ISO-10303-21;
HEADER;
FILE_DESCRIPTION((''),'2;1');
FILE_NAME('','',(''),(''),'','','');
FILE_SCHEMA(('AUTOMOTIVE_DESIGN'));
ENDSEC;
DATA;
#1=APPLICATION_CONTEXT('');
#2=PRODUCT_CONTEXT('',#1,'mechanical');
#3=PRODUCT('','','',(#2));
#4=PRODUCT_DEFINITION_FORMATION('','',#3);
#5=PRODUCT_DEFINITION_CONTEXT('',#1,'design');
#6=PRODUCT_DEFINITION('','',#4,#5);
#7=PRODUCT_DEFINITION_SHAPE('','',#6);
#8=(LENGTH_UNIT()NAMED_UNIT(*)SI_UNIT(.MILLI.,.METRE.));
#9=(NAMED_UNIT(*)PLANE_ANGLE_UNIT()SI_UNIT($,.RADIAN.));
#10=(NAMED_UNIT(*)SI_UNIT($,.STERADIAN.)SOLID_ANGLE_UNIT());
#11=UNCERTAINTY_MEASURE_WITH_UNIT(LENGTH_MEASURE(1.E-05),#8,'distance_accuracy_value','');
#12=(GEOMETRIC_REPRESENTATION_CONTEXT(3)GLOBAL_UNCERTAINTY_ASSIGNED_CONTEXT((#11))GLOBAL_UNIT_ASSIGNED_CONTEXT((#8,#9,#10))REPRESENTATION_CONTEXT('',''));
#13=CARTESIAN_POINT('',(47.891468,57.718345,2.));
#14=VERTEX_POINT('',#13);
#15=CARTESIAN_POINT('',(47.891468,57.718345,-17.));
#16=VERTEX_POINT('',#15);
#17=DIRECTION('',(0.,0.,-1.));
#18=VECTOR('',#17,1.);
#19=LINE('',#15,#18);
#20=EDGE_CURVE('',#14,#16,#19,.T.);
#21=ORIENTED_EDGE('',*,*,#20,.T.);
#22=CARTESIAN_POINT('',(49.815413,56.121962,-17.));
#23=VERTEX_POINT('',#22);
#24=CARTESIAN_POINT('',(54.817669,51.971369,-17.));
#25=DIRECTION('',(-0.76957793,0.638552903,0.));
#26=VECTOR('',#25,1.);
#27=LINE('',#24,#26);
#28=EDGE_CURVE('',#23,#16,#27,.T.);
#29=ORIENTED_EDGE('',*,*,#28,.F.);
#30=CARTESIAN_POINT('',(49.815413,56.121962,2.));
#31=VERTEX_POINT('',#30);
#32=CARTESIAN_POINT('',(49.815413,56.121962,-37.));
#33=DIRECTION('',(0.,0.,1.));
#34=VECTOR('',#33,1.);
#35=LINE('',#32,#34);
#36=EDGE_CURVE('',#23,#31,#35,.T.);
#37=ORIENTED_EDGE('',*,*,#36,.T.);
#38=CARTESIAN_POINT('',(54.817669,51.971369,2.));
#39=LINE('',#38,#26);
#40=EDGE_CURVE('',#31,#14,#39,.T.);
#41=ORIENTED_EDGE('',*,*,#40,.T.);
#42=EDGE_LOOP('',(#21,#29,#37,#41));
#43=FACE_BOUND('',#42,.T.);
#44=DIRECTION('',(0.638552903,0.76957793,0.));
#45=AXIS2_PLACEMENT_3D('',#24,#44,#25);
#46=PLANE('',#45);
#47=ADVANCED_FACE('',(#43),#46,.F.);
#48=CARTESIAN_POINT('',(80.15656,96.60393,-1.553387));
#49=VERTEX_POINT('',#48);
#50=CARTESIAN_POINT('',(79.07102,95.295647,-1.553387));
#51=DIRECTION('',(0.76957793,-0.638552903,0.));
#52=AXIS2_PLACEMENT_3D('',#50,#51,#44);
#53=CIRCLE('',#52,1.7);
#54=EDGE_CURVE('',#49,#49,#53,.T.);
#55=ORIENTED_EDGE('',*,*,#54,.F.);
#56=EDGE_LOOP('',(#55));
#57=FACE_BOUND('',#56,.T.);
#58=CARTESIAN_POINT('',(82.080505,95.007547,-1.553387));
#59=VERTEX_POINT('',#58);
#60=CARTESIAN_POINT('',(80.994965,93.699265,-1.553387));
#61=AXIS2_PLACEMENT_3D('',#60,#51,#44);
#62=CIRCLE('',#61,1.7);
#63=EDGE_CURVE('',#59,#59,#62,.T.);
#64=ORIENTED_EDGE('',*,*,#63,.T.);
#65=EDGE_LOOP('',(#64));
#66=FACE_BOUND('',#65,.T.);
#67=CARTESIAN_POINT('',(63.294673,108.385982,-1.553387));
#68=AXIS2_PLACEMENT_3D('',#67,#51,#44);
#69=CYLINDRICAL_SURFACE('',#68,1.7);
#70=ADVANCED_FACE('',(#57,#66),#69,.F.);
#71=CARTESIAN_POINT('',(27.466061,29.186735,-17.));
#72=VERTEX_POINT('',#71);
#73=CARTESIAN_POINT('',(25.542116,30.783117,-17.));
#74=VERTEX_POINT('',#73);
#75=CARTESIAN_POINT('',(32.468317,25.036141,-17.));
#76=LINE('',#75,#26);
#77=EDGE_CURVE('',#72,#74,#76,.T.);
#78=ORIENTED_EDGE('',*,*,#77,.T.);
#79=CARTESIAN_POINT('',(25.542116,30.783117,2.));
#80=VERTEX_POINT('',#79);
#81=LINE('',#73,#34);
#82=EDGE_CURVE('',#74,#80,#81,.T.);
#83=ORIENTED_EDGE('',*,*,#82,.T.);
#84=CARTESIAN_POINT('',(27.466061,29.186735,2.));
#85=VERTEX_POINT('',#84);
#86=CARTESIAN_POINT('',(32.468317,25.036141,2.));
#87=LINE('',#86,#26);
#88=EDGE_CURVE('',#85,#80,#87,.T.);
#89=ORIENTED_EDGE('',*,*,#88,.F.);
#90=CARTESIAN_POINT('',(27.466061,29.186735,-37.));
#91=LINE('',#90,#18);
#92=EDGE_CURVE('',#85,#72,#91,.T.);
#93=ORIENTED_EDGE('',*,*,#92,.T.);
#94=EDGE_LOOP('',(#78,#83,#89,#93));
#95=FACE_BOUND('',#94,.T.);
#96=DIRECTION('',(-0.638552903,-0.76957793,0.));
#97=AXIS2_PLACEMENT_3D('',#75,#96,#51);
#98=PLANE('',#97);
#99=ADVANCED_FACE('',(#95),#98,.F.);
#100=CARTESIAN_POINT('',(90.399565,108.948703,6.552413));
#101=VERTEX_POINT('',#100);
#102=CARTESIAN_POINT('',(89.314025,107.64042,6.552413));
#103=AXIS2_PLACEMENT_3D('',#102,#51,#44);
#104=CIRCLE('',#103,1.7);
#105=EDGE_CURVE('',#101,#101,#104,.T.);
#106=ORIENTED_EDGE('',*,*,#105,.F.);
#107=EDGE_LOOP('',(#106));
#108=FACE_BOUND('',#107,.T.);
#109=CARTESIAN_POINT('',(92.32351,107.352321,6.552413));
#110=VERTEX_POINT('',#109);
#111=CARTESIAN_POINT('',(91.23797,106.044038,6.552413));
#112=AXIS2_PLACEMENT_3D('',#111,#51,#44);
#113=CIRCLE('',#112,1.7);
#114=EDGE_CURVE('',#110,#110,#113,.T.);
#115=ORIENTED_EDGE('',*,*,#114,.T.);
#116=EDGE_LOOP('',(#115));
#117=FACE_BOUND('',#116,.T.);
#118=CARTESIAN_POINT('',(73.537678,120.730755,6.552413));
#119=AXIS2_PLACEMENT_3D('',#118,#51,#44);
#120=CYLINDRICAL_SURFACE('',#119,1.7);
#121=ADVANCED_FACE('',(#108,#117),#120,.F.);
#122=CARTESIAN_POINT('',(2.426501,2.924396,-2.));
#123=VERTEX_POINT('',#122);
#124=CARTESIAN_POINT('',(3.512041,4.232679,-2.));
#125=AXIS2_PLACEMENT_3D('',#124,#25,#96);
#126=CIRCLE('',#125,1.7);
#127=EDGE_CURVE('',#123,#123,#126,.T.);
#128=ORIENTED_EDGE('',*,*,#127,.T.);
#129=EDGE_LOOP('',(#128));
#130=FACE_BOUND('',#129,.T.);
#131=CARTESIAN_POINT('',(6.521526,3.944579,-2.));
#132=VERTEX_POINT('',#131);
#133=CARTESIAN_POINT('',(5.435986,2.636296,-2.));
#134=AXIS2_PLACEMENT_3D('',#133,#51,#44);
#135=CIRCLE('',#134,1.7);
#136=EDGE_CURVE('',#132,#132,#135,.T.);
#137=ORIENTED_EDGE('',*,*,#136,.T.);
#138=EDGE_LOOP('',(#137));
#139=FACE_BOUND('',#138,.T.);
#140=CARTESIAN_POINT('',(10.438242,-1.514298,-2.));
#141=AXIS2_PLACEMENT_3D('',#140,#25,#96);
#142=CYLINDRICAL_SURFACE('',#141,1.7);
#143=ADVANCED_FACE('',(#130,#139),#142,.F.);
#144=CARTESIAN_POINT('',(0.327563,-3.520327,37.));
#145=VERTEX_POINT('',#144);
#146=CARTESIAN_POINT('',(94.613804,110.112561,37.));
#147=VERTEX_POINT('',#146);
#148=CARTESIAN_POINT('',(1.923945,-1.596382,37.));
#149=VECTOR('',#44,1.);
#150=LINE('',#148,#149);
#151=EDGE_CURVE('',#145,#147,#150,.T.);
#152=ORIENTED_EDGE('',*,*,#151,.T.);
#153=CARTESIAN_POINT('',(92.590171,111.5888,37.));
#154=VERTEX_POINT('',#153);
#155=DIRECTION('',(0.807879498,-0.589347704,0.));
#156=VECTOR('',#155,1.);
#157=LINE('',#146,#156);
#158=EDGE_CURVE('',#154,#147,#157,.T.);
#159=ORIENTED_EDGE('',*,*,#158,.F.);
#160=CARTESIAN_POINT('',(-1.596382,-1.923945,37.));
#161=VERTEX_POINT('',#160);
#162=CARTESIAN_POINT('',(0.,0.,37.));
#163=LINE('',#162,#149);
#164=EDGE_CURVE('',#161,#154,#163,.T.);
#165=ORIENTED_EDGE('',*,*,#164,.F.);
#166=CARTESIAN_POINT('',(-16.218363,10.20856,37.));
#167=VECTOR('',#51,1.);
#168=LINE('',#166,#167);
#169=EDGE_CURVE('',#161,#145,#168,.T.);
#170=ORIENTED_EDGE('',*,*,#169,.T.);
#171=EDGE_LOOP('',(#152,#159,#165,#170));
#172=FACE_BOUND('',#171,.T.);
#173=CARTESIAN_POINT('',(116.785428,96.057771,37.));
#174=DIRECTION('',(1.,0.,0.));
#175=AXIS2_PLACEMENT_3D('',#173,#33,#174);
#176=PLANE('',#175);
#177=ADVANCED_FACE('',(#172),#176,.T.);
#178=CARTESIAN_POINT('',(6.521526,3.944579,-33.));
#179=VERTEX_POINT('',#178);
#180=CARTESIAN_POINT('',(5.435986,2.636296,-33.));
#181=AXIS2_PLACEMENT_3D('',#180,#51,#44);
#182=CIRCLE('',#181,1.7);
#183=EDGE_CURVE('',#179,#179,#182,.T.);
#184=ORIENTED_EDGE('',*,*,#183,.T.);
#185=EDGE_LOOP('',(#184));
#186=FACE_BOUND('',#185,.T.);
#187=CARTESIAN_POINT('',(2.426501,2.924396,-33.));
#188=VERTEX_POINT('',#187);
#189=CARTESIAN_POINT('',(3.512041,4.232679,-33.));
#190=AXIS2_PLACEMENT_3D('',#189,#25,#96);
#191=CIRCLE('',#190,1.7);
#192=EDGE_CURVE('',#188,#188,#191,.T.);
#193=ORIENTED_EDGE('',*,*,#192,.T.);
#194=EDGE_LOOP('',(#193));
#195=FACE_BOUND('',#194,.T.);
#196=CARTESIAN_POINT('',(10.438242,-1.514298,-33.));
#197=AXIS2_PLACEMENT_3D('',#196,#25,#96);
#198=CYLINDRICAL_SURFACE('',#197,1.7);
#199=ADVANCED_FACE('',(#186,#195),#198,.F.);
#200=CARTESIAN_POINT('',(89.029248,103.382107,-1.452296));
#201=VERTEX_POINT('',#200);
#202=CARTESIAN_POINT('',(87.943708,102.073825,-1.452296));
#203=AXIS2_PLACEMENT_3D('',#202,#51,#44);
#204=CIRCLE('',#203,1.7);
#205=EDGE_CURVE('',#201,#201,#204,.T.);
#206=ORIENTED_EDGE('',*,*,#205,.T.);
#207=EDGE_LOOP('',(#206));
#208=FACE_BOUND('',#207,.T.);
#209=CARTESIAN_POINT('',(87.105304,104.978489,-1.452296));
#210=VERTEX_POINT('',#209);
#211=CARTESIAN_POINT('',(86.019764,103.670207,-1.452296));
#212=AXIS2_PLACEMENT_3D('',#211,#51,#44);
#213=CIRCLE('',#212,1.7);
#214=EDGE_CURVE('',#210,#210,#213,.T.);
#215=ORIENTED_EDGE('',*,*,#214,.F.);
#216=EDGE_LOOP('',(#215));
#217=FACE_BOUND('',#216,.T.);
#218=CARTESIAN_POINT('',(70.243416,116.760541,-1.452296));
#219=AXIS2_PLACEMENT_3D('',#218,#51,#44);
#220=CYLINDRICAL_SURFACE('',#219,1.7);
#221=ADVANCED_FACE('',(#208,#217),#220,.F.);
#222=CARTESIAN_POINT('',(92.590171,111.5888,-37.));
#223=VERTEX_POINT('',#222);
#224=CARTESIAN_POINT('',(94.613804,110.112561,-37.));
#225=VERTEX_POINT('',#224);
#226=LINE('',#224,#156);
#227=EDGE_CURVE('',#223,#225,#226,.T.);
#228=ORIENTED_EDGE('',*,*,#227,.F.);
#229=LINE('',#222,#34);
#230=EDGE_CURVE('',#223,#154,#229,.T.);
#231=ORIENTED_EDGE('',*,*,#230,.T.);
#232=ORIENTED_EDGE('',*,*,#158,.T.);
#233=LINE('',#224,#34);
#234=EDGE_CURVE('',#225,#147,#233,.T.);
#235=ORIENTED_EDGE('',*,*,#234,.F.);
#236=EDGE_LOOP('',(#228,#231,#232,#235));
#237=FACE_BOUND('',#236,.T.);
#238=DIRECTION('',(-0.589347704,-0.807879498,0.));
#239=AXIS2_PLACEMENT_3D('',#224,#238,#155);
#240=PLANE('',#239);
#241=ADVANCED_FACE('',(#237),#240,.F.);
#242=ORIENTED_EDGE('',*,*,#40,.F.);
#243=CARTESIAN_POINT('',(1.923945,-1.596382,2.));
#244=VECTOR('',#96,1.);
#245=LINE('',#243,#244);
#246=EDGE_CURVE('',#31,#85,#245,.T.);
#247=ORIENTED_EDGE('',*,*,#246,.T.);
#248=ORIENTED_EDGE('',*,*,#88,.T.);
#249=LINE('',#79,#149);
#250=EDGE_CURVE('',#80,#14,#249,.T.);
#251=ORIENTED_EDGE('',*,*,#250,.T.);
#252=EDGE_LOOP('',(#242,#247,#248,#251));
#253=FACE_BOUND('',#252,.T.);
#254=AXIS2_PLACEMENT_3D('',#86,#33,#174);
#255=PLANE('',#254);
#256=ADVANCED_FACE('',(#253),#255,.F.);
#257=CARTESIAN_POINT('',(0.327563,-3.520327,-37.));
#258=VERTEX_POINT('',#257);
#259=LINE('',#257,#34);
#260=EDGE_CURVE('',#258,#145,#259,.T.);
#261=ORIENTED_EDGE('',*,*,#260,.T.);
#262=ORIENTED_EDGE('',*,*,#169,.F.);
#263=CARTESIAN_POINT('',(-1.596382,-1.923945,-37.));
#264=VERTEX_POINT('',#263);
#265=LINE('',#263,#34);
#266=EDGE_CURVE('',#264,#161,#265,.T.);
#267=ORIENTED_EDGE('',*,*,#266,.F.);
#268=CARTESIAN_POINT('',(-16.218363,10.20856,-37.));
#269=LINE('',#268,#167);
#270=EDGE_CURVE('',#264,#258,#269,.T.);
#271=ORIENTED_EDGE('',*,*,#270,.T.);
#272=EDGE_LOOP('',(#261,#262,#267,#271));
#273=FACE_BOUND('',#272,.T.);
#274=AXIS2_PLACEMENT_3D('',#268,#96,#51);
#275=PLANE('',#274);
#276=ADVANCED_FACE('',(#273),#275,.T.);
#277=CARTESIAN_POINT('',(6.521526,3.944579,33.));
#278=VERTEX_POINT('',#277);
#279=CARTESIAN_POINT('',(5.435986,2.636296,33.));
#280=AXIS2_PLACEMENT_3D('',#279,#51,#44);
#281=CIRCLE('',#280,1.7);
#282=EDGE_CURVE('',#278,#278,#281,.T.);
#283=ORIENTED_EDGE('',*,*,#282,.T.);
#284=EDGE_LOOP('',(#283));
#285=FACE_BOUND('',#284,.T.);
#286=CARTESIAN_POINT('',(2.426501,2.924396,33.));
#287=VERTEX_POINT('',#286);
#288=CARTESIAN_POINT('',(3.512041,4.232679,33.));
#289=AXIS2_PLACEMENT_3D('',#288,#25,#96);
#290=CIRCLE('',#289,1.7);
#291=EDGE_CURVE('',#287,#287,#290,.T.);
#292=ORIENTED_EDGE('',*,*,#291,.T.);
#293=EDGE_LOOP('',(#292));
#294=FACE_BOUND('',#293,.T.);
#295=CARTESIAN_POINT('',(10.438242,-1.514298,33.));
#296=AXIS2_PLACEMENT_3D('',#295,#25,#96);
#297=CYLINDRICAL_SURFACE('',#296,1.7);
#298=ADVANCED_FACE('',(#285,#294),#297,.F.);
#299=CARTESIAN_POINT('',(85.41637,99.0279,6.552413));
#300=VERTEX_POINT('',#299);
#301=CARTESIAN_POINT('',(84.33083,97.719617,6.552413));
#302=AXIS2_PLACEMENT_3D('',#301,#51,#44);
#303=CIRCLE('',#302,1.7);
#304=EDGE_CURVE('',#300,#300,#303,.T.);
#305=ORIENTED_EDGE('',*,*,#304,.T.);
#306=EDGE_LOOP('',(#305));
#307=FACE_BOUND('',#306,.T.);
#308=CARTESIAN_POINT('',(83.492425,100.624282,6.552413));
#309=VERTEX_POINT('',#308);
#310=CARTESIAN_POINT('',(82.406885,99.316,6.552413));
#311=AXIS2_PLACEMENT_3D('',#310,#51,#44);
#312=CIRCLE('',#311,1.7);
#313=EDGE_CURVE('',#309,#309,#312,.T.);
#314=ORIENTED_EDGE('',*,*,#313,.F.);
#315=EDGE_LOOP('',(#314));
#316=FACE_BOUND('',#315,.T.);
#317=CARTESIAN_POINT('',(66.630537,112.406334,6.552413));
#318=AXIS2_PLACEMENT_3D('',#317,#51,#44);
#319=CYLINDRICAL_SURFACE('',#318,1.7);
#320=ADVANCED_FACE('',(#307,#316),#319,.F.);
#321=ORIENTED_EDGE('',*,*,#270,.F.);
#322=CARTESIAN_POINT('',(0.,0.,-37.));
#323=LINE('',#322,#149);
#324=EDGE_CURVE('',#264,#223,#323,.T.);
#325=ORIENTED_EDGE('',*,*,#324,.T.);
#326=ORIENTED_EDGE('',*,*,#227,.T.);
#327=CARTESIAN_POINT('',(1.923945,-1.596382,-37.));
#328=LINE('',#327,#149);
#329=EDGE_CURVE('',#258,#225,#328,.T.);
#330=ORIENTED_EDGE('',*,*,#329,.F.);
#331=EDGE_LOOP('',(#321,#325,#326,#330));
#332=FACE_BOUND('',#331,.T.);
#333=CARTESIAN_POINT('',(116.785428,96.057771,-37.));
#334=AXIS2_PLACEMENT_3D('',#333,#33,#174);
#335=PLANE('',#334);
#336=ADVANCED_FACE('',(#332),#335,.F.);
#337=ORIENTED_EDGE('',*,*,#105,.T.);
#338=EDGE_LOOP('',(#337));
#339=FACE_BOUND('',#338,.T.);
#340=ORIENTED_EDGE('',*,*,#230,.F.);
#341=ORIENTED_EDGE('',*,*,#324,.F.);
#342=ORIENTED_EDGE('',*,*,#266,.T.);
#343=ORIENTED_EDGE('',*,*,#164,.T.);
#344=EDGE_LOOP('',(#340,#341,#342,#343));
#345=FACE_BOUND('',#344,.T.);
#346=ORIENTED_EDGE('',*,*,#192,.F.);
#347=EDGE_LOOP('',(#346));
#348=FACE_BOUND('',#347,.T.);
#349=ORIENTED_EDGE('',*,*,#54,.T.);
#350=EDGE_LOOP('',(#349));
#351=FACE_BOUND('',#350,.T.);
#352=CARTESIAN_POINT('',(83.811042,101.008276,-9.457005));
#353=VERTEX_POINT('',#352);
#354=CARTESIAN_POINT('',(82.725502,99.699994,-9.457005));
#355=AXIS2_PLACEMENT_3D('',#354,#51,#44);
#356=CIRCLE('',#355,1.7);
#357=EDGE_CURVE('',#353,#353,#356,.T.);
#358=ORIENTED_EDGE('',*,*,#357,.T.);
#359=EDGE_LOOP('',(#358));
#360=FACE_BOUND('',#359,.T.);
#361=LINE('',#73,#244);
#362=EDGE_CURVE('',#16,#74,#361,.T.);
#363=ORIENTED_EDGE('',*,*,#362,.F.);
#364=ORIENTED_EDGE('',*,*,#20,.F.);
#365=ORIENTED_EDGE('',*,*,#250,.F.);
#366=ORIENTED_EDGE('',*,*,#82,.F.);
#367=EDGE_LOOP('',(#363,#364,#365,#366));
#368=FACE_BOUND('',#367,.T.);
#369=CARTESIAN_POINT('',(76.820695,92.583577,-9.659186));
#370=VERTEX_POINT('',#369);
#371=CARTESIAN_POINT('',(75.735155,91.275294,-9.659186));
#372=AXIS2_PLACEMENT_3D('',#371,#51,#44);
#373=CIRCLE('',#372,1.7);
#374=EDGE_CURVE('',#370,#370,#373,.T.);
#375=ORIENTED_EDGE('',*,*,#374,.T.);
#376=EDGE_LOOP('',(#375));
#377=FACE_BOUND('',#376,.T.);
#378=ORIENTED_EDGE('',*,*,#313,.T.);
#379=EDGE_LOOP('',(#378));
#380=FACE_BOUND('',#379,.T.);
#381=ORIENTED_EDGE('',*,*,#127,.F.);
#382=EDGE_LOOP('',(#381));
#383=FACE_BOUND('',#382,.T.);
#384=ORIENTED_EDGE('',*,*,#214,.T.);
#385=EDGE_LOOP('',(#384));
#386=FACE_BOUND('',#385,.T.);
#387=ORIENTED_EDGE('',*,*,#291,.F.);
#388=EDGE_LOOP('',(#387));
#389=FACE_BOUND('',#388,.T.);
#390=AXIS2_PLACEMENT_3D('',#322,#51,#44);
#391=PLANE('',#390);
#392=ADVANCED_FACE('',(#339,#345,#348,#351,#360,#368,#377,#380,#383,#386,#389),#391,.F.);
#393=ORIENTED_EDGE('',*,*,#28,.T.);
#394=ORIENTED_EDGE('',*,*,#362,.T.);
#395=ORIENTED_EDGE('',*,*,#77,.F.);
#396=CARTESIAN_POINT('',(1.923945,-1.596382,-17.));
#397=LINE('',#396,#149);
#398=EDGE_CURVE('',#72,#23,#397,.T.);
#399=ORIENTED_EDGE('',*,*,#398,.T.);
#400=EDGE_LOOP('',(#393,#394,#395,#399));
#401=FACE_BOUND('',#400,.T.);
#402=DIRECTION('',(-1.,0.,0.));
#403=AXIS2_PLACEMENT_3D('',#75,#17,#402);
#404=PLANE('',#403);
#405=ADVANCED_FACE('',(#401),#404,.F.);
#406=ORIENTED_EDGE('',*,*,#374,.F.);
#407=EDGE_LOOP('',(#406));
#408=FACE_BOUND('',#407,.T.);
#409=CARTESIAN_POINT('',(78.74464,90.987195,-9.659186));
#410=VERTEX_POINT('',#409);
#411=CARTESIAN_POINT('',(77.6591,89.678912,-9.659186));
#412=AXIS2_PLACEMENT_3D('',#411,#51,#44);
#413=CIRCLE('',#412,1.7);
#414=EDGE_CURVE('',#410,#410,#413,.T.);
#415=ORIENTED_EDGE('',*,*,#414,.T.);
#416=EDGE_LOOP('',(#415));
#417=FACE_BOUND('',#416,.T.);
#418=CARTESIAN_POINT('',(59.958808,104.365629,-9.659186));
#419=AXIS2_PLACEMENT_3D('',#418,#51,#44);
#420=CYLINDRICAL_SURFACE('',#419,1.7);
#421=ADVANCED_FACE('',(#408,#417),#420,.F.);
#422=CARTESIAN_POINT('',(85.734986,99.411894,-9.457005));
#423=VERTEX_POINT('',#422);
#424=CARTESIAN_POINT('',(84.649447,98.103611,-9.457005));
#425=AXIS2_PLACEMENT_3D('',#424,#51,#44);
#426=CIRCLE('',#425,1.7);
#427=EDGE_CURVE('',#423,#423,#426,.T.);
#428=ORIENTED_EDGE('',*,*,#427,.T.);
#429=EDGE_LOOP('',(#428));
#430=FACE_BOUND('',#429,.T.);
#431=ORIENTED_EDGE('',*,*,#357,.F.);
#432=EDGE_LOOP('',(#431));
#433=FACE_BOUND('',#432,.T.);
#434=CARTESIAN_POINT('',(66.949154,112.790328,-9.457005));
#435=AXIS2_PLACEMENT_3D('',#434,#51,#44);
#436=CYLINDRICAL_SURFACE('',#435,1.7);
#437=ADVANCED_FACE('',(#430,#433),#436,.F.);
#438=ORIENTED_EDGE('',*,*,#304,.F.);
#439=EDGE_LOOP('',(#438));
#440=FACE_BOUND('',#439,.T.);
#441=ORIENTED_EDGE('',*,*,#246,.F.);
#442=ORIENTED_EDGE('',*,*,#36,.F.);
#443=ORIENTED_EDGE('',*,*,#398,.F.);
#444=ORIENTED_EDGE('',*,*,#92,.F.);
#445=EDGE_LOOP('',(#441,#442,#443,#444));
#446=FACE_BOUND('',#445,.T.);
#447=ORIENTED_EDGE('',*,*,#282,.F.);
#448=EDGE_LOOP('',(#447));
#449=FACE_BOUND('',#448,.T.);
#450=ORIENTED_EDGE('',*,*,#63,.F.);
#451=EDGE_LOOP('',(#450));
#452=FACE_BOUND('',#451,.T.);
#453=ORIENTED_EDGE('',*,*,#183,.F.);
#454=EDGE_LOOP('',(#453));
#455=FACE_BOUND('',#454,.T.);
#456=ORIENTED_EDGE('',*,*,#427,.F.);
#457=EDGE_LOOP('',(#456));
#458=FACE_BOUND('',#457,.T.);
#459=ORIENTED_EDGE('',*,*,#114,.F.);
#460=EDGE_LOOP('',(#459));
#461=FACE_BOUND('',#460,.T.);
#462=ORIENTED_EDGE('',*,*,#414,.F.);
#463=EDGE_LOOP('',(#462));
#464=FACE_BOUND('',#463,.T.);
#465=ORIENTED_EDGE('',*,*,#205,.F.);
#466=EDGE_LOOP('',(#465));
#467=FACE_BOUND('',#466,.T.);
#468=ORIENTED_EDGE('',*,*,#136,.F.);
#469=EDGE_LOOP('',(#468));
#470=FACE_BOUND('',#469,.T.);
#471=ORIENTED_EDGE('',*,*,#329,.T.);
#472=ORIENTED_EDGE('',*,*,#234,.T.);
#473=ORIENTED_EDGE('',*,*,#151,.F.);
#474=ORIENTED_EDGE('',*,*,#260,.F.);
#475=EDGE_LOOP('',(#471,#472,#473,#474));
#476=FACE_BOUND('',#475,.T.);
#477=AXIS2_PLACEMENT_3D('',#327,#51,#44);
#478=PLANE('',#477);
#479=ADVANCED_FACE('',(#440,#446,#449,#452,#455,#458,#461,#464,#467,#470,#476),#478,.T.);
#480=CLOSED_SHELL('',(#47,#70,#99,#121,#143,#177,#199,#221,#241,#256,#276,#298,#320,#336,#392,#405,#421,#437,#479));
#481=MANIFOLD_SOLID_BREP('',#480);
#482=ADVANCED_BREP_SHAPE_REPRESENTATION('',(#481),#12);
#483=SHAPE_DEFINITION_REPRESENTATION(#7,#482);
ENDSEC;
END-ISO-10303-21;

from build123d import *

# Parameters (mm, degrees)
ESTRUSIONE_SOTTILE1_DEPTH      = 37
ESTRUSIONE_SOTTILE1_DEPTH_BACK = 37
SCHIZZO2_R                     = 1.7
TAGLIO_ESTRUSIONE2_DEPTH       = 23
SCHIZZO4_W                     = 19
SCHIZZO4_H                     = 35
TAGLIO_ESTRUSIONE4_DEPTH       = 9
SCHIZZO5_R                     = 1.7
TAGLIO_ESTRUSIONE5_DEPTH       = 9
TAGLIO_ESTRUSIONE6_DEPTH       = 38
TAGLIO_ESTRUSIONE6_DEPTH_BACK  = 38


with BuildPart() as part:
    # Schizzo1 → Estrusione-Sottile1 (new body, two sides)
    with BuildSketch(Plane.XY) as estrusione_sottile1_sk:
        with BuildLine():
            Line((1.3418419, 31.371953403), (-14.62198067, 12.132505153))
            Line((-14.62198067, 12.132505153), (0, 0))
            Line((0, 0), (92.590170907, 111.588799848))
            ThreePointArc((92.590170907, 111.588799848), (116.785428363, 124.808829232), (140.980685819, 111.588799848))
            Line((140.980685819, 111.588799848), (138.876827802, 110.238325322))
            ThreePointArc((138.876827802, 110.238325322), (116.710841454, 122.30872327), (94.613803758, 110.112560659))
            Line((94.613803758, 110.112560659), (0.327562568, -3.520327082))
            Line((0.327562568, -3.520327082), (-18.142307752, 11.804942585))
            Line((-18.142307752, 11.804942585), (-0.582102925, 32.96833566))
            Line((-0.582102925, 32.96833566), (1.3418419, 31.371953403))
        make_face()
    extrude(amount=ESTRUSIONE_SOTTILE1_DEPTH)
    extrude(estrusione_sottile1_sk.sketch, amount=-ESTRUSIONE_SOTTILE1_DEPTH_BACK)

    # Schizzo2 → Taglio-Estrusione2 (cut)
    with BuildSketch(Plane(origin=(1.923944825, -1.596382257, 0), x_dir=(0, 0, -1), z_dir=(0.76957793, -0.638552903, 0))):
        with Locations((-6.552412565, 139.86942204)):
            Circle(SCHIZZO2_R)
        with Locations((-6.552412565, 129.05255699)):
            Circle(SCHIZZO2_R)
        with Locations((1.452296176, 134.71047302)):
            Circle(SCHIZZO2_R)
        with Locations((9.457004918, 129.55152401)):
            Circle(SCHIZZO2_R)
        with Locations((1.553386665, 123.82845624)):
            Circle(SCHIZZO2_R)
        with Locations((9.659185895, 118.60435549)):
            Circle(SCHIZZO2_R)
    extrude(amount=-TAGLIO_ESTRUSIONE2_DEPTH, mode=Mode.SUBTRACT)

    # Schizzo4 → Taglio-Estrusione4 (cut)
    with BuildSketch(Plane(origin=(0, 0, 0), x_dir=(0, 0, 1), z_dir=(-0.76957793, 0.638552903, 0))):
        with Locations((-7.5, 57.5)):
            Rectangle(SCHIZZO4_W, SCHIZZO4_H)
    extrude(amount=-TAGLIO_ESTRUSIONE4_DEPTH, mode=Mode.SUBTRACT)

    # Schizzo5 → Taglio-Estrusione5 (cut)
    with BuildSketch(Plane(origin=(0, 0, 0), x_dir=(0, 0, 1), z_dir=(-0.76957793, 0.638552903, 0))):
        with Locations((33, 5.5)):
            Circle(SCHIZZO5_R)
        with Locations((-33, 5.5)):
            Circle(SCHIZZO5_R)
        with Locations((-2, 5.5)):
            Circle(SCHIZZO5_R)
    extrude(amount=-TAGLIO_ESTRUSIONE5_DEPTH, mode=Mode.SUBTRACT)

    # Schizzo6 → Taglio-Estrusione6 (cut, two sides)
    with BuildSketch(Plane.XY) as taglio_estrusione6_sk:
        Polygon((0, 0), (-2.515119204, -3.03119792), (-24.654006172, 16.441396342), (100.036117815, 158.204765097), (192.825186497, 76.590730526), (160.291370892, 39.602209292), (94.613803758, 110.112560659), (92.590170907, 111.588799848), (78.649981188, 114.87986373), align=None)
    extrude(amount=TAGLIO_ESTRUSIONE6_DEPTH, mode=Mode.SUBTRACT)
    extrude(taglio_estrusione6_sk.sketch, amount=-TAGLIO_ESTRUSIONE6_DEPTH_BACK, mode=Mode.SUBTRACT)


solid = part.part
